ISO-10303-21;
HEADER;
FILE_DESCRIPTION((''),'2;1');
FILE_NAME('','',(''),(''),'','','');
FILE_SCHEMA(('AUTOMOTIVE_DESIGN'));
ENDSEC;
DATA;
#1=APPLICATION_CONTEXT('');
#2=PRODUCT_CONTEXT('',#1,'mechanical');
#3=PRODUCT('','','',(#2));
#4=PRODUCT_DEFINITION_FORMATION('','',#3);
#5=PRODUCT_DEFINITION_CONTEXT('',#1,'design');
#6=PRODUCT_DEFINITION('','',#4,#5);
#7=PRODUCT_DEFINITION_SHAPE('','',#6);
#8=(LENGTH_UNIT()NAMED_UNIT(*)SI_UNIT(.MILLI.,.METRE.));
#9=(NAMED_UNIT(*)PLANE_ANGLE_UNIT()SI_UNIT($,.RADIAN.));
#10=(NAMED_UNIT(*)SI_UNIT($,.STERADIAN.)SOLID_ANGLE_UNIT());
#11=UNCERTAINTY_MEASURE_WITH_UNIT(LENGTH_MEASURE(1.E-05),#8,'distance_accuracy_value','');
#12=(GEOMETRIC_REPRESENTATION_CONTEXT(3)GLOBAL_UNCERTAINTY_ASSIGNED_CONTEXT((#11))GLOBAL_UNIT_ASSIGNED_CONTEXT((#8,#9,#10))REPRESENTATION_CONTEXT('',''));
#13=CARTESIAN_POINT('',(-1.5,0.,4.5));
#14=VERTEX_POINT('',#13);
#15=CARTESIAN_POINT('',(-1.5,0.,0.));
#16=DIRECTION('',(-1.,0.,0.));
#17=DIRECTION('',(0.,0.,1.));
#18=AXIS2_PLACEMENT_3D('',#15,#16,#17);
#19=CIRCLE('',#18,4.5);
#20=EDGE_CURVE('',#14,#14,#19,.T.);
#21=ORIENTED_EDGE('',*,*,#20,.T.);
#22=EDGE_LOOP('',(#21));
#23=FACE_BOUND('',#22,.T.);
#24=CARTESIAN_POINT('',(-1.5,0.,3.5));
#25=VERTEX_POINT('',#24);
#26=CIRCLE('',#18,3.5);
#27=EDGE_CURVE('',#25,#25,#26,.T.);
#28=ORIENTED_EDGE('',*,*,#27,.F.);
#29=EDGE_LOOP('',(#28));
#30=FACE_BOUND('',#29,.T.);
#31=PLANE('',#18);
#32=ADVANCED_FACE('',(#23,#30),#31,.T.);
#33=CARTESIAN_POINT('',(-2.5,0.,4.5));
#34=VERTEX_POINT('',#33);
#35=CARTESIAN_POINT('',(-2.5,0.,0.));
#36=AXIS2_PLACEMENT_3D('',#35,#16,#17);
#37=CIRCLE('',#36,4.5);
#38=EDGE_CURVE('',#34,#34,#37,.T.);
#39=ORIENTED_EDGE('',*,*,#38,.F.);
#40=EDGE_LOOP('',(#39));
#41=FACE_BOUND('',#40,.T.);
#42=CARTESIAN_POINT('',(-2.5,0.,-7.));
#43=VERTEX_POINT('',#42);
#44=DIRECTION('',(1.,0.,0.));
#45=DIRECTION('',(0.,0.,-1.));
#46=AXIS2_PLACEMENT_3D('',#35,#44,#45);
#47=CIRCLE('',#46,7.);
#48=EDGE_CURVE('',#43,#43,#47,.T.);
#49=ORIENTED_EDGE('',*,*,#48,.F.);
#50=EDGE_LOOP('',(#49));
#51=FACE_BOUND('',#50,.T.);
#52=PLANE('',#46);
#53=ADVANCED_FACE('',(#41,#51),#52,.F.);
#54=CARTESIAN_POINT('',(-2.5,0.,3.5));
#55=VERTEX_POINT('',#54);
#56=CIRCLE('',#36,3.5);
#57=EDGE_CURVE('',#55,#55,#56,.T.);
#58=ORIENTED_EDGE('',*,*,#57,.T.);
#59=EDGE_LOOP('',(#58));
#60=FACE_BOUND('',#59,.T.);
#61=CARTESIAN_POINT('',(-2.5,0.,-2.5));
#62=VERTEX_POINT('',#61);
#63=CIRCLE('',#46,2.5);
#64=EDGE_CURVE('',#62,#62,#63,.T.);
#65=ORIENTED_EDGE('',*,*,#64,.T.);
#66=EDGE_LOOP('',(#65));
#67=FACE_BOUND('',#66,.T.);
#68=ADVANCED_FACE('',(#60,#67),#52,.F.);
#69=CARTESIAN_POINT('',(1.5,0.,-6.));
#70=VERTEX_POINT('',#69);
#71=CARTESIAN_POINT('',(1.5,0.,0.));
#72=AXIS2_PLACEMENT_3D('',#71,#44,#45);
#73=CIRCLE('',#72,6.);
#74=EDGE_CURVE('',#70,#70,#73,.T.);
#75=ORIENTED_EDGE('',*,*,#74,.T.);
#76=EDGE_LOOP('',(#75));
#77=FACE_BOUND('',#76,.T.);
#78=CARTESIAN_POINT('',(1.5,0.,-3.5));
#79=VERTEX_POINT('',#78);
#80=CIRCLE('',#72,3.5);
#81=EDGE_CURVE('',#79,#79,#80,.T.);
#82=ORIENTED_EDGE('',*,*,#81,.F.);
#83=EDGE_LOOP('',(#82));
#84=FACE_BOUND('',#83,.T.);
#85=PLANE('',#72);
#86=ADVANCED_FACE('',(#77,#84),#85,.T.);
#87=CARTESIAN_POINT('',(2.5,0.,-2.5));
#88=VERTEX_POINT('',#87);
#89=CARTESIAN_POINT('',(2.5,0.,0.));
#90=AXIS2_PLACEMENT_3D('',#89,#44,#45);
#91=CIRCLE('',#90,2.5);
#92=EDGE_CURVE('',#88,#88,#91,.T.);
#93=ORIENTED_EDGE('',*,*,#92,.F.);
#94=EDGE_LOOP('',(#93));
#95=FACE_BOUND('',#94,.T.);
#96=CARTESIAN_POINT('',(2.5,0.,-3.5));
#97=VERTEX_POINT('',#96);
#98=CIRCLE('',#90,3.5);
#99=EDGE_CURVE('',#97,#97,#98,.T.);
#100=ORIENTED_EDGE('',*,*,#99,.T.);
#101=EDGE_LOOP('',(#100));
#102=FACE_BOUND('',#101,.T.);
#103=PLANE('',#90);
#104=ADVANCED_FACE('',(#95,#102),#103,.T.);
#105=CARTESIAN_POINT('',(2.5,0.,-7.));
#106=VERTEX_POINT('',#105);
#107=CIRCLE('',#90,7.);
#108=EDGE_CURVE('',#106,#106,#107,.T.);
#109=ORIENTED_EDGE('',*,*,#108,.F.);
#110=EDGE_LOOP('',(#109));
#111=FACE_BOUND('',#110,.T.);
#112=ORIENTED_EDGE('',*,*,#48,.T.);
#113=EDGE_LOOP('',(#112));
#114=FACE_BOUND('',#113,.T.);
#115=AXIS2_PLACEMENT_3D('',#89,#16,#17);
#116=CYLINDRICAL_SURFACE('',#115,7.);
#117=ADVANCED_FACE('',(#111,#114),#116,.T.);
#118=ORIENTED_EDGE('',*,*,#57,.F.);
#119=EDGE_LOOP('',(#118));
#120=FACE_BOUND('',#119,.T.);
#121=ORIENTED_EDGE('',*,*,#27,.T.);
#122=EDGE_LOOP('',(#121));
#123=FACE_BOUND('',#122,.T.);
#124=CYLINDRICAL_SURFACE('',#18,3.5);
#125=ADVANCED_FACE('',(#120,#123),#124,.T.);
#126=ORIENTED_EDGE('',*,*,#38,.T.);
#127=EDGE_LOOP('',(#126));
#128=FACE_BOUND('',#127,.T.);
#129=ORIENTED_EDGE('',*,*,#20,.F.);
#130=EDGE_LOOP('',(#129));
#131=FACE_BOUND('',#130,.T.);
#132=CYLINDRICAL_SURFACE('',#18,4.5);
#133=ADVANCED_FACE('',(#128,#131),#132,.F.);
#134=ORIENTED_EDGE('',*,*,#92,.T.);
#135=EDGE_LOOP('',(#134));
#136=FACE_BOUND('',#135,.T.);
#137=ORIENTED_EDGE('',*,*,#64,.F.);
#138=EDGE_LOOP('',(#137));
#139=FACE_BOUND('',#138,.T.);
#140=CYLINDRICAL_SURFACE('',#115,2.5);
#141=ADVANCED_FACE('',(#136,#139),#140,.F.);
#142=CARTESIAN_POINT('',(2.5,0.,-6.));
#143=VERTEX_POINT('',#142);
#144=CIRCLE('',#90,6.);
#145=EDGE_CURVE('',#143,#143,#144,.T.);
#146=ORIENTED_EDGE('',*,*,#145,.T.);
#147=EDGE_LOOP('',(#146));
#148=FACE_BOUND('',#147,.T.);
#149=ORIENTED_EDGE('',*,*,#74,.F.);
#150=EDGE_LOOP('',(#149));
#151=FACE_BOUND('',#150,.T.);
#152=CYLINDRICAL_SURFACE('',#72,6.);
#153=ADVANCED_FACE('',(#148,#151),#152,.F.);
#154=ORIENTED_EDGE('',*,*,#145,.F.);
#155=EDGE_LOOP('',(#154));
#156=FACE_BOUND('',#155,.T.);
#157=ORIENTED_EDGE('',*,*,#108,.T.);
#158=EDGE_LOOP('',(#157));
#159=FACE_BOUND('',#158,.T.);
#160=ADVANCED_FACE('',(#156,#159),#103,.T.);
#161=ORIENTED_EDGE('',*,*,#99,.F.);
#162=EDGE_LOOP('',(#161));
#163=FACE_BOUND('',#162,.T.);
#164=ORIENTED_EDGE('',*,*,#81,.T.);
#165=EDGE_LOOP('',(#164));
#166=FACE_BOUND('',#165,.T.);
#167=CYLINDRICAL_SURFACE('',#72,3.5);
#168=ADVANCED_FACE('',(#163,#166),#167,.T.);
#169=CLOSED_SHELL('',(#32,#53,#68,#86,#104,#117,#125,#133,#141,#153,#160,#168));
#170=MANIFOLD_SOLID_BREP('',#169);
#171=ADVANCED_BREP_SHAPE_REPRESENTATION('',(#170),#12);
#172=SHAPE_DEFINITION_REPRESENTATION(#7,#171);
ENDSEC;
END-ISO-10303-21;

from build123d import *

# Parameters (mm, degrees)
SKETCH_1_R          = 7
SKETCH_1_R_2        = 2.5
EXTRUDE_1_DEPTH     = 2.5
SKETCH_2_R          = 6
SKETCH_2_R_2        = 3.5
CUT_EXTRUDE_1_DEPTH = 1
CUT_EXTRUDE_START   = -1
SKETCH_3_R          = 4.5
SKETCH_3_R_2        = 3.5
CUT_EXTRUDE_2_DEPTH = 1


with BuildPart() as part:
    # 草图1 → 凸台-拉伸1 (new, symmetric)
    with BuildSketch(Plane.YZ):
        with Locations(Location((0, 0, 0), (0, 0, 270))):
            Circle(SKETCH_1_R)
        with Locations(Location((0, 0, 0), (0, 0, 270))):
            Circle(SKETCH_1_R_2, mode=Mode.SUBTRACT)
    extrude(amount=EXTRUDE_1_DEPTH, both=True)

    # 草图2 → 切除-拉伸1 (cut)
    with BuildSketch(Plane(origin=(2.5, 0, 0), x_dir=(0, 0, -1), z_dir=(1, 0, 0))):
        Circle(SKETCH_2_R)
        Circle(SKETCH_2_R_2, mode=Mode.SUBTRACT)
    extrude(amount=-CUT_EXTRUDE_1_DEPTH, mode=Mode.SUBTRACT)

    # 草图3 → 切除-拉伸2 (cut)
    with BuildSketch(Plane.ZY.offset(2.5).offset(CUT_EXTRUDE_START)):
        Circle(SKETCH_3_R)
        with Locations(Location((0, 0, 0), (0, 0, 180))):
            Circle(SKETCH_3_R_2, mode=Mode.SUBTRACT)
    extrude(amount=CUT_EXTRUDE_2_DEPTH, mode=Mode.SUBTRACT)


solid = part.part
